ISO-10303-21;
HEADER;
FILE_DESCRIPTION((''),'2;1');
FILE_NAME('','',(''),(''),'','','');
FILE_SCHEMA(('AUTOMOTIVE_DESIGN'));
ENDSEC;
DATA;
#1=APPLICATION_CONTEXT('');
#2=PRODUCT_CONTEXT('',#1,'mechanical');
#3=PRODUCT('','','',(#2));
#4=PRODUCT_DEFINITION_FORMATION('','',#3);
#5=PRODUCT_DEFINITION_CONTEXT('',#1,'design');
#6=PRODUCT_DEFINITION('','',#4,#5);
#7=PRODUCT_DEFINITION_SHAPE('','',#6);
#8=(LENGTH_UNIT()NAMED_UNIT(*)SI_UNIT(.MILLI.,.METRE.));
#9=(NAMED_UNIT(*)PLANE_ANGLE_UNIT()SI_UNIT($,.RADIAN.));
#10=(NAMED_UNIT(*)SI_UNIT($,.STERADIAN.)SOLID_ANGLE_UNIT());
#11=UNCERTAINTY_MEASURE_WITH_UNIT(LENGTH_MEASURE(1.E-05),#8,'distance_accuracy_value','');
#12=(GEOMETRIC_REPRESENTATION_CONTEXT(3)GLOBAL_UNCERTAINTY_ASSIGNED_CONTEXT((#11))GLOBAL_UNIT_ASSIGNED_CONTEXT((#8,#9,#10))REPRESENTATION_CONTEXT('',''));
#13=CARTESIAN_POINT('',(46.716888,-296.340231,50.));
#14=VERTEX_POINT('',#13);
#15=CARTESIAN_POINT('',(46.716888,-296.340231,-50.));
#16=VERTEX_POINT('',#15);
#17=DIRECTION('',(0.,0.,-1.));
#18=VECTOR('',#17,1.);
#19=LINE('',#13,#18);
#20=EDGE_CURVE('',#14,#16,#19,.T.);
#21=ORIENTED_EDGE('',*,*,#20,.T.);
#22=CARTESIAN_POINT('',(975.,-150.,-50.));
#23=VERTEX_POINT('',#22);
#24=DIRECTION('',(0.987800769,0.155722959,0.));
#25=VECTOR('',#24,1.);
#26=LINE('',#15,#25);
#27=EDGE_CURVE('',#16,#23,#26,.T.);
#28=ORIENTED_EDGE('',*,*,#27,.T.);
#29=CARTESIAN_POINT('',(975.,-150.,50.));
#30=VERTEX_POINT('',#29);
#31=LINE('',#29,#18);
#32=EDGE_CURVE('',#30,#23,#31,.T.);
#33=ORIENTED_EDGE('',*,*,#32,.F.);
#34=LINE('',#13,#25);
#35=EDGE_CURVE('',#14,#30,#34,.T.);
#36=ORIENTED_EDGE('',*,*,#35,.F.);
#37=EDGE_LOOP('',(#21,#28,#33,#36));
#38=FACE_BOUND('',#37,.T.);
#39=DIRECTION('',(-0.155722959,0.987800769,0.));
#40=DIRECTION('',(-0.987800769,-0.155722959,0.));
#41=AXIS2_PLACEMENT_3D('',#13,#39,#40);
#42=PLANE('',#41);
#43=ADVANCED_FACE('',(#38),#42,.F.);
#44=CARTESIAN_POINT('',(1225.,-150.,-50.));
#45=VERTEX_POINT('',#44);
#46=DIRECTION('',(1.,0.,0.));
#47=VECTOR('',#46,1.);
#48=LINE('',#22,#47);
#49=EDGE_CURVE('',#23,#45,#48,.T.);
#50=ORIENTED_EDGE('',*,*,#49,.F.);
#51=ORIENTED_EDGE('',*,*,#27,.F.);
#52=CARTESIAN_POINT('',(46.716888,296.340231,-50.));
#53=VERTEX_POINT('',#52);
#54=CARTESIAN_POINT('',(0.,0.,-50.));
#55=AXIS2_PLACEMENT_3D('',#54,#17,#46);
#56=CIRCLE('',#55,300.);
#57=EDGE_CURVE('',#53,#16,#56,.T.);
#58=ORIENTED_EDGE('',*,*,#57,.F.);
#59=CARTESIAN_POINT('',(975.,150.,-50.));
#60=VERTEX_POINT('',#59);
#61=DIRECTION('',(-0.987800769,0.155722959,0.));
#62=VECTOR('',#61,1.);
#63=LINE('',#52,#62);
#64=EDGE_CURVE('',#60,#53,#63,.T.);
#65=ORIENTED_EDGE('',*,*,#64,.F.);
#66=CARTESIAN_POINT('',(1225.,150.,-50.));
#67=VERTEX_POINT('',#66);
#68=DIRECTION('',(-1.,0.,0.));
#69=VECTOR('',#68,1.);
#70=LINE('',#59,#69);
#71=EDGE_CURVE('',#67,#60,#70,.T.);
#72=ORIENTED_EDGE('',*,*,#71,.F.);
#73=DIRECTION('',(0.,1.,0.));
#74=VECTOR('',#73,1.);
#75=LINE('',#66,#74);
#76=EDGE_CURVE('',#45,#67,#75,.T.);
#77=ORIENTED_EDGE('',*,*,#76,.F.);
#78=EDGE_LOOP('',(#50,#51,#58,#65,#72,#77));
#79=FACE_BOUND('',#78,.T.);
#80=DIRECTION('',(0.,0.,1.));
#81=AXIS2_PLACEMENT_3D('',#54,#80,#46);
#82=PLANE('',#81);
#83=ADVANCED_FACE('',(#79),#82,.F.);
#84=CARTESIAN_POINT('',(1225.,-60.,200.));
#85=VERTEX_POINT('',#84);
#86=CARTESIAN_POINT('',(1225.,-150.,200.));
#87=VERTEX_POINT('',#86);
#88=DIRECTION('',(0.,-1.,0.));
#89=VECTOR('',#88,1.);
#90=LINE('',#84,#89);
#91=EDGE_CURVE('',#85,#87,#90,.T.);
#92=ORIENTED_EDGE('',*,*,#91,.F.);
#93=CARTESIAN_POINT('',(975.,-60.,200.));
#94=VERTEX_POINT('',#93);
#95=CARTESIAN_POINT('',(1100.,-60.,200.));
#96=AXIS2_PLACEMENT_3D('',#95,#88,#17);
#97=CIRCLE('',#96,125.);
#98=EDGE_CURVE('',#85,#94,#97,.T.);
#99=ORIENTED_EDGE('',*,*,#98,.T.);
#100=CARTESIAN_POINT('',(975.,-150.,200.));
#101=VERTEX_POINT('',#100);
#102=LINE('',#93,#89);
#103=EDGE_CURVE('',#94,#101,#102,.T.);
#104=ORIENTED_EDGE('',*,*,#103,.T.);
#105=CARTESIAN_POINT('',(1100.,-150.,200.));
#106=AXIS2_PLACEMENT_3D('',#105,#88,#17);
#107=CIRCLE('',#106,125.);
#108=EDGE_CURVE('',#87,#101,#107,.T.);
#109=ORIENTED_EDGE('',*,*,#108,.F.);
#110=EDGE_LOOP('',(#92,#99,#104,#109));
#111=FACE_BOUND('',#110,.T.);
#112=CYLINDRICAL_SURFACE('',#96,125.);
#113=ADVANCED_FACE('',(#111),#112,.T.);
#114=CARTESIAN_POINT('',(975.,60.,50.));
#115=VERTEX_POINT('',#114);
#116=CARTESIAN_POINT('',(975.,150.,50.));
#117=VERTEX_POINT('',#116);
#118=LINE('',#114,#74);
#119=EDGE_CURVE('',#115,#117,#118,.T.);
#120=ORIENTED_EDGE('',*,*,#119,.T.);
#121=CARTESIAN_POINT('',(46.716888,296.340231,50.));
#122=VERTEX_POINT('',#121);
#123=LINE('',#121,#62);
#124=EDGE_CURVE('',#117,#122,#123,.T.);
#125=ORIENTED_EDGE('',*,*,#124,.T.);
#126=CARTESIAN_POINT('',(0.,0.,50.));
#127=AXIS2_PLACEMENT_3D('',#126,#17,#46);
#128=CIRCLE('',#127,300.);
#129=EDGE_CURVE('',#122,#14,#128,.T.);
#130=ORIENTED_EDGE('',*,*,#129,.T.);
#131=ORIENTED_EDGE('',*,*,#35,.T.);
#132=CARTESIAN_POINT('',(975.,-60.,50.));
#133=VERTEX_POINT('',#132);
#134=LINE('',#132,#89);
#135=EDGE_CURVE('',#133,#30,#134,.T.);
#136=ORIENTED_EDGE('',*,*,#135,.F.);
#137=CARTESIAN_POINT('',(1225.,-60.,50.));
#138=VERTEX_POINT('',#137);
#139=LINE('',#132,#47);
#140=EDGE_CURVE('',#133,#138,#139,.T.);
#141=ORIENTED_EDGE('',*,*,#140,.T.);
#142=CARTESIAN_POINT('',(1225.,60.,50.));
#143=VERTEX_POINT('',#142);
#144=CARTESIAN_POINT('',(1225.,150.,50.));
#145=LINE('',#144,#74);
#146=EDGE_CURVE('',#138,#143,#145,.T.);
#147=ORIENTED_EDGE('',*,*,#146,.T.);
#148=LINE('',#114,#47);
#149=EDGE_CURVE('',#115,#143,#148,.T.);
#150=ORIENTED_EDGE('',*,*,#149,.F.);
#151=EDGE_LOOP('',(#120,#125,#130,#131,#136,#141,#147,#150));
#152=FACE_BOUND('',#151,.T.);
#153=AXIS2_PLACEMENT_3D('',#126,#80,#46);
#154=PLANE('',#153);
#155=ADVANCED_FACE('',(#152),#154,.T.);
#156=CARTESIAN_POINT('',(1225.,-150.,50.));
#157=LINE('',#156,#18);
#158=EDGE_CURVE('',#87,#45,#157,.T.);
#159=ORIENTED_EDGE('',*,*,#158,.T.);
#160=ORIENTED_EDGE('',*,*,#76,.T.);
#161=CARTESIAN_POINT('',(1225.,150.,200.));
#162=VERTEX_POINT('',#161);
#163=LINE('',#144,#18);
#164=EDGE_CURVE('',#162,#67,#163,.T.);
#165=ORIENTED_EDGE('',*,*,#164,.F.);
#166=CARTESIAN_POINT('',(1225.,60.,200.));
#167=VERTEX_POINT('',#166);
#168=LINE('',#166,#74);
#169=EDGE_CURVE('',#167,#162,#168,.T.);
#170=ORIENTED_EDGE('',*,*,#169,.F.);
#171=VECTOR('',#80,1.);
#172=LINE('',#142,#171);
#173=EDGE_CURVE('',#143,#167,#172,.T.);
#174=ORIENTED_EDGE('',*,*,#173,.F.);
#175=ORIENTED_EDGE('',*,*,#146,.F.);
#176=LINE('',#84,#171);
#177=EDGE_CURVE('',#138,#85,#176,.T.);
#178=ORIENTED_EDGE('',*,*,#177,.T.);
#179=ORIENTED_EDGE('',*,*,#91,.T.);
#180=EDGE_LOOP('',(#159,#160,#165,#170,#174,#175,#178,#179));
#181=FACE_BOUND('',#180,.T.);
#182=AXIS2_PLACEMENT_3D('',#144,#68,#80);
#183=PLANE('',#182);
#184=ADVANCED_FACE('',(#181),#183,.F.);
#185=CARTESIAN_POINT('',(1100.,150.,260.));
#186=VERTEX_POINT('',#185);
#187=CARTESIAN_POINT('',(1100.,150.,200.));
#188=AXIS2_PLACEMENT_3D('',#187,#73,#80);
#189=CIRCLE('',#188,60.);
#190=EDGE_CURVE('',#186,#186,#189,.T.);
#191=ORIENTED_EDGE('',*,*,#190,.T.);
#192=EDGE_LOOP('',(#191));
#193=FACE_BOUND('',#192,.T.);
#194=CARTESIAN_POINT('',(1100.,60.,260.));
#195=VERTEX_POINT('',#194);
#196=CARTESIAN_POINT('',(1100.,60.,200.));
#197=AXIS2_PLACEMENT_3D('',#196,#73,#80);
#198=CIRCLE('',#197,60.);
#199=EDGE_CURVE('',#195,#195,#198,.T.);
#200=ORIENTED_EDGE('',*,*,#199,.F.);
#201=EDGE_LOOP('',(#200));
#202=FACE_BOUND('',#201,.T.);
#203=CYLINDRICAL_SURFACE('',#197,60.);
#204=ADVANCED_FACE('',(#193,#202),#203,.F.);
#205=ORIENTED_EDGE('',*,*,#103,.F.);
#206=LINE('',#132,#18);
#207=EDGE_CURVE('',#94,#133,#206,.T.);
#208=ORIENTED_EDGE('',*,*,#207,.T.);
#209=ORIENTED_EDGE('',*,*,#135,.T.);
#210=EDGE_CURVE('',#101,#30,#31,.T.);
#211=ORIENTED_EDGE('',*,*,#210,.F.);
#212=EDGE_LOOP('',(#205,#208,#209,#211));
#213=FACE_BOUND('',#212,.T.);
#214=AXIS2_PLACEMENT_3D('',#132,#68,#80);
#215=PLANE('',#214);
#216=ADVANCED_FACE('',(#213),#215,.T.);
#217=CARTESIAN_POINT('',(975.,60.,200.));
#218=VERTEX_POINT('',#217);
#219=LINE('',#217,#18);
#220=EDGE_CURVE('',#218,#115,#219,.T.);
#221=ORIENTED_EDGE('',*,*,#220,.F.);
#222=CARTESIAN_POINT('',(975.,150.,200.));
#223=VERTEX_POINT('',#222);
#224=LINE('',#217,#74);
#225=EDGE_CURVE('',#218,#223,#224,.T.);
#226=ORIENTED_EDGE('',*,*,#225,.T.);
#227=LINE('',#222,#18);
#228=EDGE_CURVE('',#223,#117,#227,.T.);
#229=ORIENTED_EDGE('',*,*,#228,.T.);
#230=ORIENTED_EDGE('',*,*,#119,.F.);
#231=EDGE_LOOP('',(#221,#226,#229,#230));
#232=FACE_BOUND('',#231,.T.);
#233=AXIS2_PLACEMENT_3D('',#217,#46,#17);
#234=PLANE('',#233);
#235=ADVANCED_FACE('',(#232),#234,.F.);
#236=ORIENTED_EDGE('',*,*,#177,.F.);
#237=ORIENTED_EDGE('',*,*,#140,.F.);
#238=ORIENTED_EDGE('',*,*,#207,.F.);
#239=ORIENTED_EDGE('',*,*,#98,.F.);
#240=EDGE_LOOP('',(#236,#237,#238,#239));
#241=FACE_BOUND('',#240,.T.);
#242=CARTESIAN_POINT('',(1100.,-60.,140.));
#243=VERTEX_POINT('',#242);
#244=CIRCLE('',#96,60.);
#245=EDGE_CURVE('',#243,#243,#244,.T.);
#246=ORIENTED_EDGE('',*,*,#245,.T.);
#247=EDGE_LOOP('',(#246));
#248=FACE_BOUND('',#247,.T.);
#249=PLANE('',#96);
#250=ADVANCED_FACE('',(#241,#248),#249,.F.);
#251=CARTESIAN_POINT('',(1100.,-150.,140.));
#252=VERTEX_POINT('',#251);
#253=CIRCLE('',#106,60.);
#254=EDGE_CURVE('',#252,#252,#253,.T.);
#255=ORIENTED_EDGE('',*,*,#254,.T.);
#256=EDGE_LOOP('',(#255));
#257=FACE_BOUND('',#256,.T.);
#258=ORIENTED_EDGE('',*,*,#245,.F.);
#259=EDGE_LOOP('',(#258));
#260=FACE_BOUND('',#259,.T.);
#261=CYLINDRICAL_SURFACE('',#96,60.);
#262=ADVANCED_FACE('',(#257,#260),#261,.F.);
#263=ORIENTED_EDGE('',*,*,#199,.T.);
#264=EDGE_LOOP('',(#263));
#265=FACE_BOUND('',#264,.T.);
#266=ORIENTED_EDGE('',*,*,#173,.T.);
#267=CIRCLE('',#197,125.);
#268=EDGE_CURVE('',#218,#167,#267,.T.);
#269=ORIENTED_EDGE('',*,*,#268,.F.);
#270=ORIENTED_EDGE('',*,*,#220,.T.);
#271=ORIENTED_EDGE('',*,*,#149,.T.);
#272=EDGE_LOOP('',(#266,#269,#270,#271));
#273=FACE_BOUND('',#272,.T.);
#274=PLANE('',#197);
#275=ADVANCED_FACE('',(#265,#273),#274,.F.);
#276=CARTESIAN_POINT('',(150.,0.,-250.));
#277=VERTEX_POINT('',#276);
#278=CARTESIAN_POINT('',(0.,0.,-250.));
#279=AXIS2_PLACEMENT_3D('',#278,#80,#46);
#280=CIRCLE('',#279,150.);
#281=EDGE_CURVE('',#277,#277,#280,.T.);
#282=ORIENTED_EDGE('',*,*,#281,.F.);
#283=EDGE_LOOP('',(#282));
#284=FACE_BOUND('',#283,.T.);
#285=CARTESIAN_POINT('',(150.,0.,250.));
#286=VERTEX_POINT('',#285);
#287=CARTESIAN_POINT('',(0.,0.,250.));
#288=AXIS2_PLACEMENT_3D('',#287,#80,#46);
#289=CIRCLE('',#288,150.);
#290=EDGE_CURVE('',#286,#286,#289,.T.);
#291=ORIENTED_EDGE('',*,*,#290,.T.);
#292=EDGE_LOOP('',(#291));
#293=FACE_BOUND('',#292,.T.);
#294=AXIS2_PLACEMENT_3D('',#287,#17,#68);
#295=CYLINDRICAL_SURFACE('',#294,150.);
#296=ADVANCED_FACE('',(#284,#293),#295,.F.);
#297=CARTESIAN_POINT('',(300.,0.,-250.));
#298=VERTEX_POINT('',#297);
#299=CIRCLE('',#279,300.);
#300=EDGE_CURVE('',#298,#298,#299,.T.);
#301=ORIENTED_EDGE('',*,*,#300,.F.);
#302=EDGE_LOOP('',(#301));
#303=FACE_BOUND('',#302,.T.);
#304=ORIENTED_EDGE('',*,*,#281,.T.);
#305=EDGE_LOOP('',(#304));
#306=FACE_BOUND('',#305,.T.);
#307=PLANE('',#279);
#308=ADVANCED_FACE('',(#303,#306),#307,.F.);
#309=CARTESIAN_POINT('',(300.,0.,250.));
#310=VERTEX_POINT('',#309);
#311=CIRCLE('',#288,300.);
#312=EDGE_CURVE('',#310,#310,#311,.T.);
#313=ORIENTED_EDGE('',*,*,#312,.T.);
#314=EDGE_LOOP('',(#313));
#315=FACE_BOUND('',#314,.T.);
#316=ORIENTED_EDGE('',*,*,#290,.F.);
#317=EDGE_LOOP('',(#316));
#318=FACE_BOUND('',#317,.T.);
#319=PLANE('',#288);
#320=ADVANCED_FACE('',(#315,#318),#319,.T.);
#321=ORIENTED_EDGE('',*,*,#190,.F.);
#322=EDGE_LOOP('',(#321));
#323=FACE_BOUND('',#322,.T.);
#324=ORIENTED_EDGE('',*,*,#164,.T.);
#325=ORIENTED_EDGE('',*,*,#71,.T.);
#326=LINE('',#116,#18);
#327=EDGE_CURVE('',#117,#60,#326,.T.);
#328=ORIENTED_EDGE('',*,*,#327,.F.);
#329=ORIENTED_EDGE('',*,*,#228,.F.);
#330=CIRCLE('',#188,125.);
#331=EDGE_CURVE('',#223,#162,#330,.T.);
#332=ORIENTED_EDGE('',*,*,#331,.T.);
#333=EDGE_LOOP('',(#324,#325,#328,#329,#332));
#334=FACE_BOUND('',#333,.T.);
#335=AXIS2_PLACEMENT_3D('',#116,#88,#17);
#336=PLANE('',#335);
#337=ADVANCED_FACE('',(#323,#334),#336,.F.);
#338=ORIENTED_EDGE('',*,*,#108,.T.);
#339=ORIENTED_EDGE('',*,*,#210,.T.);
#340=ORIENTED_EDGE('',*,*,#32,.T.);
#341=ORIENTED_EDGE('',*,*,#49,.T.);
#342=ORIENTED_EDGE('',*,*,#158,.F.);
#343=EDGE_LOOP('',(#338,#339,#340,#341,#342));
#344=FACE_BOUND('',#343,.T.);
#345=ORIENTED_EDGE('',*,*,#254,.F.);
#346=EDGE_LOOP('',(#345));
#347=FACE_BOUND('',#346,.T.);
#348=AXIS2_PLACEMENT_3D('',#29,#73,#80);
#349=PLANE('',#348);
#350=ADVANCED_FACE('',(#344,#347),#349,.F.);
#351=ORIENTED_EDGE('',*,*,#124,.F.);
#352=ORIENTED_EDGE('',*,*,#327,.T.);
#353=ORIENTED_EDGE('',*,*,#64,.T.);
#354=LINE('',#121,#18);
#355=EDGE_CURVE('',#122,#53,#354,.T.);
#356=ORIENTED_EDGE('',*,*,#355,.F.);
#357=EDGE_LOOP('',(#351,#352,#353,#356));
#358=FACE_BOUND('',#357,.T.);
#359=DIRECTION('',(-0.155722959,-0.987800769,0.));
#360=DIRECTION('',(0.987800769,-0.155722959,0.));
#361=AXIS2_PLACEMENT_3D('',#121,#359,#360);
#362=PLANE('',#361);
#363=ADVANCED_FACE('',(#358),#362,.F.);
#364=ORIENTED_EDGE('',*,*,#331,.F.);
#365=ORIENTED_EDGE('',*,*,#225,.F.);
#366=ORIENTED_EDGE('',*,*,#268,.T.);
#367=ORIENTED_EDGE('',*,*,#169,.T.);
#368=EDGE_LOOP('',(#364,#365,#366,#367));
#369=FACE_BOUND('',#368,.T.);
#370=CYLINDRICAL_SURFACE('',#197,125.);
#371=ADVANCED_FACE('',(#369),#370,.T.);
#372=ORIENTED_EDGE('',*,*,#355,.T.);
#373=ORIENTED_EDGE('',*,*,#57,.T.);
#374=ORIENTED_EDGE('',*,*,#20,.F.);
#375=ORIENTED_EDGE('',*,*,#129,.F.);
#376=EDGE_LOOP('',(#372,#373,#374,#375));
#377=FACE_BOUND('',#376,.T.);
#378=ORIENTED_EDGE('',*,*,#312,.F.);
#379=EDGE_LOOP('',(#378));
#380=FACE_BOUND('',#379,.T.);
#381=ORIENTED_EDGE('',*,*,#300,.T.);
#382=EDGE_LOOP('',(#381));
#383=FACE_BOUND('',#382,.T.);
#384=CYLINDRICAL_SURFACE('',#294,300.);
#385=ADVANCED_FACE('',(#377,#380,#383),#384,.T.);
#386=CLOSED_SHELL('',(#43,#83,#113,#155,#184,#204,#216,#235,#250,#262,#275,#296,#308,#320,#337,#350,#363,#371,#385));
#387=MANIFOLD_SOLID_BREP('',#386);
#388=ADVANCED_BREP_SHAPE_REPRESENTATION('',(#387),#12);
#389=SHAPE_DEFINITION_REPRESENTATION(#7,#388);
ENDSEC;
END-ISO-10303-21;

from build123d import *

# Parameters (mm, degrees)
SKETCH1_R           = 300
SKETCH1_R_2         = 150
BOSS_EXTRUDE1_DEPTH = 250
BOSS_EXTRUDE2_DEPTH = 50
SKETCH3_R           = 60
BOSS_EXTRUDE3_DEPTH = 90
SKETCH4_R           = 60
BOSS_EXTRUDE4_DEPTH = 90


with BuildPart() as part:
    # Sketch1 → Boss-Extrude1 (new body, symmetric)
    with BuildSketch(Plane.XY):
        Circle(SKETCH1_R)
        Circle(SKETCH1_R_2, mode=Mode.SUBTRACT)
    extrude(amount=BOSS_EXTRUDE1_DEPTH, both=True)

    # Sketch2 → Boss-Extrude2 (add, symmetric)
    with BuildSketch(Plane.XY):
        with BuildLine():
            Line((46.716887563, 296.340230844), (975, 150))
            Line((975, 150), (1225, 150))
            Line((1225, 150), (1225, -150))
            Line((1225, -150), (975, -150))
            Line((975, -150), (46.716887563, -296.340230844))
            ThreePointArc((46.716887563, -296.340230844), (300, 0), (46.716887563, 296.340230844))
        make_face()
    extrude(amount=BOSS_EXTRUDE2_DEPTH, both=True)

    # Sketch3 → Boss-Extrude3 (add)
    with BuildSketch(Plane.XZ.offset(150)):
        with BuildLine():
            Line((975, 50), (975, 200))
            ThreePointArc((975, 200), (1100, 325), (1225, 200))
            Line((1225, 200), (1225, 50))
            Line((1225, 50), (975, 50))
        make_face()
        with Locations(Location((1100, 200, 0), (0, 0, 270))):  # turned: the seam where the file's is
            Circle(SKETCH3_R, mode=Mode.SUBTRACT)
    extrude(amount=-BOSS_EXTRUDE3_DEPTH)

    # Sketch4 → Boss-Extrude4 (add)
    with BuildSketch(Plane(origin=(0, 150, 0), x_dir=(1, 0, 0), z_dir=(0, 1, 0))):
        with BuildLine():
            Line((975, -200), (975, -50))
            Line((975, -50), (1225, -50))
            Line((1225, -50), (1225, -200))
            ThreePointArc((1225, -200), (1100, -325), (975, -200))
        make_face()
        with Locations(Location((1100, -200, 0), (0, 0, 90))):  # turned: the seam where the file's is
            Circle(SKETCH4_R, mode=Mode.SUBTRACT)
    extrude(amount=-BOSS_EXTRUDE4_DEPTH)


solid = part.part
